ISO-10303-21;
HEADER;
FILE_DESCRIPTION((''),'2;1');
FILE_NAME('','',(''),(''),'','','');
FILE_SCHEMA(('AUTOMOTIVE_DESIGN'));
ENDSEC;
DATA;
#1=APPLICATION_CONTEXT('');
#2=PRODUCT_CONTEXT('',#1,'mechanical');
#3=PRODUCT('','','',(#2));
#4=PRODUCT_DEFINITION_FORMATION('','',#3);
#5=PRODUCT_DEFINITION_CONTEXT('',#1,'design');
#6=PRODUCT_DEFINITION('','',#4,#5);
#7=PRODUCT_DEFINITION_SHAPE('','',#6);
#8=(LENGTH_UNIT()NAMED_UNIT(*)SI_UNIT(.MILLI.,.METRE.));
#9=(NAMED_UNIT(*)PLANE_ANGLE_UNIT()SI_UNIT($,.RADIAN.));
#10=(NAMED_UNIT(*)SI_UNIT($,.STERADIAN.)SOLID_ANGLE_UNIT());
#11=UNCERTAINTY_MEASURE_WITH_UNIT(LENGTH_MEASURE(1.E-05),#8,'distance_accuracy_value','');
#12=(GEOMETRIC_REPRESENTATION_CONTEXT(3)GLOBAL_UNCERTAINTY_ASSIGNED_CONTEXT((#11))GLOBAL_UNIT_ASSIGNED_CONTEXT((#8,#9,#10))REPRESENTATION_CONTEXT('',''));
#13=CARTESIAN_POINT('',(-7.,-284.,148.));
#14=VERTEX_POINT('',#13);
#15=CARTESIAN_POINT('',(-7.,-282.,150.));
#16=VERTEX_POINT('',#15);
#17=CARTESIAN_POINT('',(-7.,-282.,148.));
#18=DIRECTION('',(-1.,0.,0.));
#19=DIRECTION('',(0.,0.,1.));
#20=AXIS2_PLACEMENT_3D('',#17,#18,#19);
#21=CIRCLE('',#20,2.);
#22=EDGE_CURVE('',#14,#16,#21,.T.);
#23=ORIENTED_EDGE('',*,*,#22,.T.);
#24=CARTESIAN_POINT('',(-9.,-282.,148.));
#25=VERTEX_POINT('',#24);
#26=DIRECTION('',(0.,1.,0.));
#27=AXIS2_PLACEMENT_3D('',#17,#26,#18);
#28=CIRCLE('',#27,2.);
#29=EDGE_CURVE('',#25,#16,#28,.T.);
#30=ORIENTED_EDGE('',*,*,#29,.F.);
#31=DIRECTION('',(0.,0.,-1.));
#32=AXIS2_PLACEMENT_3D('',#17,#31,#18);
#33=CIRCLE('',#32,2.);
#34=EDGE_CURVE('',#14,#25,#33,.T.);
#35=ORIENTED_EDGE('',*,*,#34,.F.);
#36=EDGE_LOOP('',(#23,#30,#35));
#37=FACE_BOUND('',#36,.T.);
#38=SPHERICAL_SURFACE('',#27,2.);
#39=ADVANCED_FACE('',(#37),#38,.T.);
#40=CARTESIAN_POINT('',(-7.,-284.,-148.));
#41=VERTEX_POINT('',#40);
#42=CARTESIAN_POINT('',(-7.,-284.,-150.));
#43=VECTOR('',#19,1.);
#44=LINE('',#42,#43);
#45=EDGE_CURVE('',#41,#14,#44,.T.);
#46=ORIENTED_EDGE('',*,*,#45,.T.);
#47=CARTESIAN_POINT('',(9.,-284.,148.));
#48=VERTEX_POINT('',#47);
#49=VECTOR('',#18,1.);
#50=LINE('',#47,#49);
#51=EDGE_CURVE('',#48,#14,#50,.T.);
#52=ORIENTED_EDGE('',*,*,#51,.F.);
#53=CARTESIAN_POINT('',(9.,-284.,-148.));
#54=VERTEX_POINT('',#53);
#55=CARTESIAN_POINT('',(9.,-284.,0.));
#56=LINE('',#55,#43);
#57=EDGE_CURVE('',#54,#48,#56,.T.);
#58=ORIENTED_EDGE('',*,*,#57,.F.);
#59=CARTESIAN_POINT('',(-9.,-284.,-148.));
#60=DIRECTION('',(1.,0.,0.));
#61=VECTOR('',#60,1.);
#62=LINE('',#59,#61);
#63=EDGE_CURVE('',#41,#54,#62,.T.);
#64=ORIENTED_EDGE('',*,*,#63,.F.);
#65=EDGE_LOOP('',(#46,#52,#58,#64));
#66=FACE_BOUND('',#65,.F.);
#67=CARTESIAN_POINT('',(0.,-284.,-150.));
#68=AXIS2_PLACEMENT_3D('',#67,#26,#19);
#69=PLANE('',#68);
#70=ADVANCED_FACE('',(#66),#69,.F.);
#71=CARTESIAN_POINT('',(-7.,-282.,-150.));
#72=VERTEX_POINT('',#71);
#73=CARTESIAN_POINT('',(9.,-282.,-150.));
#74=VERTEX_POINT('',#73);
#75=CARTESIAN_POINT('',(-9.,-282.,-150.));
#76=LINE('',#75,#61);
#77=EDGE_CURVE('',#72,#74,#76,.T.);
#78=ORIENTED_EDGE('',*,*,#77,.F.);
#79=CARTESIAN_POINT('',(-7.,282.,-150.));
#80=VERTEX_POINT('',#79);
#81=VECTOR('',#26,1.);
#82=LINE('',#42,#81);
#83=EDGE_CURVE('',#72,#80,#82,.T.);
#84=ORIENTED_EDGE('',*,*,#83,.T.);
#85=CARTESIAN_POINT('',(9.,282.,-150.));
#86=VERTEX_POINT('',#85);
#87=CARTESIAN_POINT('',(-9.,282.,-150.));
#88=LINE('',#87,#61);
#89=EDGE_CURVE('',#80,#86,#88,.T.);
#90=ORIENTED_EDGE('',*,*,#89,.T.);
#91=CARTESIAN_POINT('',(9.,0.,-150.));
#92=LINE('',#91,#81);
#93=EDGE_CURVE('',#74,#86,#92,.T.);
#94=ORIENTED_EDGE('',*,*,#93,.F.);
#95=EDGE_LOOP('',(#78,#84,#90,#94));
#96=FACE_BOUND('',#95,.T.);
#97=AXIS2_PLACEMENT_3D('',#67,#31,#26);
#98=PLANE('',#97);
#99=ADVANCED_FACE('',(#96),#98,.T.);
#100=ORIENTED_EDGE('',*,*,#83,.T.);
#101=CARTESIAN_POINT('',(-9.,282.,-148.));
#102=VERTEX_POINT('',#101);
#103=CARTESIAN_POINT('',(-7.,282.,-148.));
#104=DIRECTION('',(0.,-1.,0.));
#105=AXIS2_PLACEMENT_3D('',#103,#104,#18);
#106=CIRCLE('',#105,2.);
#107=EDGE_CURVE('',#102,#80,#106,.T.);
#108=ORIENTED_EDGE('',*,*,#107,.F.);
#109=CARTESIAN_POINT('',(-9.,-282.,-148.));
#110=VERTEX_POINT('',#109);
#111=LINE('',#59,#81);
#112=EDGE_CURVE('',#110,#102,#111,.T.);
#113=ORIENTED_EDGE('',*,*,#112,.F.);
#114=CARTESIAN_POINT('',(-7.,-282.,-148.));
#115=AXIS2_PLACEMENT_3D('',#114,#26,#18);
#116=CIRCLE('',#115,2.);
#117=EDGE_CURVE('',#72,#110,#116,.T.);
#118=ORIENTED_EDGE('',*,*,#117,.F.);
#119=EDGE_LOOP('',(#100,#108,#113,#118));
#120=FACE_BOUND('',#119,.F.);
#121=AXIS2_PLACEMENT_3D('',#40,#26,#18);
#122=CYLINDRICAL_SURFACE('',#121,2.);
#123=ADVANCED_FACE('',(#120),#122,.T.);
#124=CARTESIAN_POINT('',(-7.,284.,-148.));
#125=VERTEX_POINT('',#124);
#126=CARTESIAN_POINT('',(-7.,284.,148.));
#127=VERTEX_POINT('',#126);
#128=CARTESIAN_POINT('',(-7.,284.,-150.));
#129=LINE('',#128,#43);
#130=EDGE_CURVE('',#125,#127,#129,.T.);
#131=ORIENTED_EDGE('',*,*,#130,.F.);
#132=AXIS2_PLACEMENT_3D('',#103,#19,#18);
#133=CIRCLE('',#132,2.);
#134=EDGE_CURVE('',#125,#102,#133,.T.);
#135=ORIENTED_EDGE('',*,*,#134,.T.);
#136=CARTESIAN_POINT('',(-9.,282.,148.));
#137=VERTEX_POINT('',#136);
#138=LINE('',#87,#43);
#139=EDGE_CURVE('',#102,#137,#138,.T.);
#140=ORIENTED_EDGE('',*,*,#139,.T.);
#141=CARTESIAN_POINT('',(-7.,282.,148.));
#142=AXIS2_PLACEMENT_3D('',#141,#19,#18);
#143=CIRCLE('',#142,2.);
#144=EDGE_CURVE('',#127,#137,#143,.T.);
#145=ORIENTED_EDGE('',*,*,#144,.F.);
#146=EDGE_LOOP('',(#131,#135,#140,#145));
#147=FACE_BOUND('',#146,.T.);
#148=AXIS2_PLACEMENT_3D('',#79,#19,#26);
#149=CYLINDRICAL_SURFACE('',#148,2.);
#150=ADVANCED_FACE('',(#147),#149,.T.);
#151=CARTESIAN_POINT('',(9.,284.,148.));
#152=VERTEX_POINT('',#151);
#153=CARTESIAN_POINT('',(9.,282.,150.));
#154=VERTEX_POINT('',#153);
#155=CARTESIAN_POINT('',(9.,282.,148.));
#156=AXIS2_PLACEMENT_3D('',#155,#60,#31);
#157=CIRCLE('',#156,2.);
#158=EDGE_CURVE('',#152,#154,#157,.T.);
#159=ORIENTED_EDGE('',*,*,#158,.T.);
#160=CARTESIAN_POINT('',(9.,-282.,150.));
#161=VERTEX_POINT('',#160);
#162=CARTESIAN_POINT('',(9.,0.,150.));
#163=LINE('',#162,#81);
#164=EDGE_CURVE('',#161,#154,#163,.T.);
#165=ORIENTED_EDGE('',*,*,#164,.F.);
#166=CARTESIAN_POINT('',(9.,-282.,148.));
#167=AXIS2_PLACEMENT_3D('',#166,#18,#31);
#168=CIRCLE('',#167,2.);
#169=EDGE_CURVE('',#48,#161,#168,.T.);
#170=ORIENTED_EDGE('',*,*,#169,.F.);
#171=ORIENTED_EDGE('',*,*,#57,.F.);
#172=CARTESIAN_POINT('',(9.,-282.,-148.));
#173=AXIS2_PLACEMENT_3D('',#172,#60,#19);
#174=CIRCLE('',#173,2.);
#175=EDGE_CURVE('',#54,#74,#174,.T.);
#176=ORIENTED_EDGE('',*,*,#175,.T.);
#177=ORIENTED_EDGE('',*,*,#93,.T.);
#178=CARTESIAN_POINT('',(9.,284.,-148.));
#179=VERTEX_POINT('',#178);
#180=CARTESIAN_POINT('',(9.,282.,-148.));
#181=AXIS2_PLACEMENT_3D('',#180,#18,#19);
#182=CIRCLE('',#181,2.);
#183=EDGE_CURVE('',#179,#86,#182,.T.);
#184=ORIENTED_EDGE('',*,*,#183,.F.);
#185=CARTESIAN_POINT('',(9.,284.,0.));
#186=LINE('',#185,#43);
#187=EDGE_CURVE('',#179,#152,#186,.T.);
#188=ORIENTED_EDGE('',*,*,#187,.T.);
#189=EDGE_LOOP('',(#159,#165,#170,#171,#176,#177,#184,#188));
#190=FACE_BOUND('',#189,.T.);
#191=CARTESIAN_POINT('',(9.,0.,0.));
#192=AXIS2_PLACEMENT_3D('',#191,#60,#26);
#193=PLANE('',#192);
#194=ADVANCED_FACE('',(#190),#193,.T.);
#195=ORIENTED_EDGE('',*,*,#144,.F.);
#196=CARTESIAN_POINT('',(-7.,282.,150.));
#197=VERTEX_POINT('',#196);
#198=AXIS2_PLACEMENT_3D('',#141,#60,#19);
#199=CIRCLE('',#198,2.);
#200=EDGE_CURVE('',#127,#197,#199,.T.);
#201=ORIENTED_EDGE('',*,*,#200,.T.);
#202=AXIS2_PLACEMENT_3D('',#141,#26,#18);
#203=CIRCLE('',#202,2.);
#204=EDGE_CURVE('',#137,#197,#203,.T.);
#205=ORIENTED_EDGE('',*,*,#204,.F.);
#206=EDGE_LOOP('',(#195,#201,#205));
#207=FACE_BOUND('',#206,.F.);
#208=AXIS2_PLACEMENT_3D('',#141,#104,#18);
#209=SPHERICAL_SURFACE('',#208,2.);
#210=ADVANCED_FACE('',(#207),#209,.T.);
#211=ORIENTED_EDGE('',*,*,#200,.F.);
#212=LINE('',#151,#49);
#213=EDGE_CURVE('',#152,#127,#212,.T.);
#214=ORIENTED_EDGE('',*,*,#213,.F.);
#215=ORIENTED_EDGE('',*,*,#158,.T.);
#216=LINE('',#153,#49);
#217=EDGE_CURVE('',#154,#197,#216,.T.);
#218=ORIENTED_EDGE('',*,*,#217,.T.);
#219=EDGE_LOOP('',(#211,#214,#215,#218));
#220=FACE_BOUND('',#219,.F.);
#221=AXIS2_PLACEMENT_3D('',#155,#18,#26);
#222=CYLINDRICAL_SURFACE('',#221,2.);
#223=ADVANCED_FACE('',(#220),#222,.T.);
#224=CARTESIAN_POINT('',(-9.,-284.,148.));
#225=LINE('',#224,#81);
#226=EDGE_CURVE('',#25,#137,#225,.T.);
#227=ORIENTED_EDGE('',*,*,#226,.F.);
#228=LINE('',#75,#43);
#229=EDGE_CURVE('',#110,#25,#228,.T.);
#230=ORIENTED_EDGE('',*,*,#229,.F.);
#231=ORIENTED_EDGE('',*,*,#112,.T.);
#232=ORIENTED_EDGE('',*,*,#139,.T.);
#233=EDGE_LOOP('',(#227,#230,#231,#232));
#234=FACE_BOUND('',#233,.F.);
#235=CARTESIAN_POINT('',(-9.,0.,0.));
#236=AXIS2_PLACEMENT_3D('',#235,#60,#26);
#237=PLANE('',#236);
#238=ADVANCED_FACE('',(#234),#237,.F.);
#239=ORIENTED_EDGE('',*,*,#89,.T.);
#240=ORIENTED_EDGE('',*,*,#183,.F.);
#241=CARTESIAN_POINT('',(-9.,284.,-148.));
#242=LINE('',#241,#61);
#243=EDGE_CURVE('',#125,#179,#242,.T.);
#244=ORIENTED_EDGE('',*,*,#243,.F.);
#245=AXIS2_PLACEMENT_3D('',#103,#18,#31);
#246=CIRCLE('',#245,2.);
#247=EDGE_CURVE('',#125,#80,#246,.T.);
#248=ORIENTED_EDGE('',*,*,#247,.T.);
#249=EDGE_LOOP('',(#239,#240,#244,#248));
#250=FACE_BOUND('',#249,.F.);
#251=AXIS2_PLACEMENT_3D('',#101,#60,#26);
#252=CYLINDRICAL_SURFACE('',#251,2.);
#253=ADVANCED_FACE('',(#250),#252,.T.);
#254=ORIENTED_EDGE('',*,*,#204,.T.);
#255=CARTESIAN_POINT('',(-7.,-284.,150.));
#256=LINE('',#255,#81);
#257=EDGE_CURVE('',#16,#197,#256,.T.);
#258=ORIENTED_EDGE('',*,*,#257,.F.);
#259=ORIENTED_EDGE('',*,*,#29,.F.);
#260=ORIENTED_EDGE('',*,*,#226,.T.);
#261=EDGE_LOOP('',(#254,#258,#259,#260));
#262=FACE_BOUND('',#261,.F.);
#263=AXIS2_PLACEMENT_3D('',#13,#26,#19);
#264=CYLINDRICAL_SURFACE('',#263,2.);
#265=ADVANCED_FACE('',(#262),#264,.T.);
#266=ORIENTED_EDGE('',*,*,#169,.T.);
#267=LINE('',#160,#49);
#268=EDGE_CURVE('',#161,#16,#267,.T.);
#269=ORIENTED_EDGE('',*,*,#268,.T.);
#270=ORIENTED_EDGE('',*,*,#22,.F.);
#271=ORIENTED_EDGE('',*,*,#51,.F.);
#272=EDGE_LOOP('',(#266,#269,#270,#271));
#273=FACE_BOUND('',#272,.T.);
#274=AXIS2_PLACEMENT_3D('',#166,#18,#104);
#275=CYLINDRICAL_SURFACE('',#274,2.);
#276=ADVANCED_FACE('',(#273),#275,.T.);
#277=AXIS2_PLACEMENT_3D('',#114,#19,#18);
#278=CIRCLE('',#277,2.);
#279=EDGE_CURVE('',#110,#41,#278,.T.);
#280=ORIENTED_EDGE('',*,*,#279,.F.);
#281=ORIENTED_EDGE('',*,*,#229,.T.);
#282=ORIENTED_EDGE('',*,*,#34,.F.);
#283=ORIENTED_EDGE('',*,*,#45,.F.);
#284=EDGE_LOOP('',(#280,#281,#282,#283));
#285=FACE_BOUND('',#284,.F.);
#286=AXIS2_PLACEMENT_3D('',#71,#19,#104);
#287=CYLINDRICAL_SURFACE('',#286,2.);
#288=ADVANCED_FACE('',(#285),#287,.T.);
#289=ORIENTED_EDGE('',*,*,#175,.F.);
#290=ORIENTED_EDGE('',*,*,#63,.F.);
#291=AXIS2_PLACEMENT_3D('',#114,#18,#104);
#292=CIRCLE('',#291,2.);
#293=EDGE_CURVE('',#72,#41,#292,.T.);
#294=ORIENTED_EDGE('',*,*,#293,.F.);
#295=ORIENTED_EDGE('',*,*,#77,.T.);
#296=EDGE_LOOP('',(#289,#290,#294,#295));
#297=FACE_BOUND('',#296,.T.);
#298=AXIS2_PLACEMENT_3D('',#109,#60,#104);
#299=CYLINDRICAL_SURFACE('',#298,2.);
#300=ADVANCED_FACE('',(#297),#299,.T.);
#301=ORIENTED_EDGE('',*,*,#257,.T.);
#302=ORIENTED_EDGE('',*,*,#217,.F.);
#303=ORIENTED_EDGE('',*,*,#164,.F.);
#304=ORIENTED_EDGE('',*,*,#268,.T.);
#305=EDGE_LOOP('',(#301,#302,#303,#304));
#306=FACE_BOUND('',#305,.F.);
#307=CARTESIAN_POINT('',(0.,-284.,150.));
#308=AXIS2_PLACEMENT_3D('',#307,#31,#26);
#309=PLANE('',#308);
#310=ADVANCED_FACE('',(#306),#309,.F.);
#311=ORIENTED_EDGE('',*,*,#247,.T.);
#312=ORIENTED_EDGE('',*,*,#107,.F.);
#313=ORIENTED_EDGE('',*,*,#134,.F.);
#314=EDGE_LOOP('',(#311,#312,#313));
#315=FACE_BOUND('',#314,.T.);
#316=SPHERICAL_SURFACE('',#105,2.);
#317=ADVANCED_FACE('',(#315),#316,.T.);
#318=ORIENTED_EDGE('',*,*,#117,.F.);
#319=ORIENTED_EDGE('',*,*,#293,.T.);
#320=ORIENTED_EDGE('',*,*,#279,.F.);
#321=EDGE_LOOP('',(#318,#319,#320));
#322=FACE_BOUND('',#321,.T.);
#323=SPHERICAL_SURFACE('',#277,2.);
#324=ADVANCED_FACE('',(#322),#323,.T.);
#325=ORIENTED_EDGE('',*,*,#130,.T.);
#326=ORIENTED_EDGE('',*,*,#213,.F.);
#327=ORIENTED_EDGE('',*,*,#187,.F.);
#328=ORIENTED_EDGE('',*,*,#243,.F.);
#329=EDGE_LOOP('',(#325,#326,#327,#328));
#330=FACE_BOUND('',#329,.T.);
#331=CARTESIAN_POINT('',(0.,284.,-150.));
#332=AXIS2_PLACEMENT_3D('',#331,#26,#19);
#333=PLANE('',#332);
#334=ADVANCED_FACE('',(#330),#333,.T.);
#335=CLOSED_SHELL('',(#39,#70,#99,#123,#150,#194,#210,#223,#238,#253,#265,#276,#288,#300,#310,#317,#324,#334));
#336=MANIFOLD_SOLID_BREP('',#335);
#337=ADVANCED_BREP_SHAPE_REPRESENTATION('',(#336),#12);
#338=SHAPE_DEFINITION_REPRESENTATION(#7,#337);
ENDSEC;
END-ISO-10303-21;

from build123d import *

# Parameters (mm, degrees)
F0_W     = 568
F0_H     = 300
F1_DEPTH = 9
F2_R     = 2


with BuildPart() as f1:
    # F0 (on Right) → F1 (new body, symmetric)
    with BuildSketch(Plane.YZ):
        Rectangle(F0_W, F0_H)
    extrude(amount=F1_DEPTH, both=True)

    # F2
    f2_edges = [f1.edges().sort_by_distance(p)[0] for p in [
        (-9, 0, 150),
        (-9, -284, 0),
        (-9, 0, -150),
        (-9, 284, 0),
        (0, 284, 150),
        (0, 284, -150),
        (0, -284, 150),
        (0, -284, -150),
    ]]
    fillet(f2_edges, radius=F2_R)


solid = f1.part
